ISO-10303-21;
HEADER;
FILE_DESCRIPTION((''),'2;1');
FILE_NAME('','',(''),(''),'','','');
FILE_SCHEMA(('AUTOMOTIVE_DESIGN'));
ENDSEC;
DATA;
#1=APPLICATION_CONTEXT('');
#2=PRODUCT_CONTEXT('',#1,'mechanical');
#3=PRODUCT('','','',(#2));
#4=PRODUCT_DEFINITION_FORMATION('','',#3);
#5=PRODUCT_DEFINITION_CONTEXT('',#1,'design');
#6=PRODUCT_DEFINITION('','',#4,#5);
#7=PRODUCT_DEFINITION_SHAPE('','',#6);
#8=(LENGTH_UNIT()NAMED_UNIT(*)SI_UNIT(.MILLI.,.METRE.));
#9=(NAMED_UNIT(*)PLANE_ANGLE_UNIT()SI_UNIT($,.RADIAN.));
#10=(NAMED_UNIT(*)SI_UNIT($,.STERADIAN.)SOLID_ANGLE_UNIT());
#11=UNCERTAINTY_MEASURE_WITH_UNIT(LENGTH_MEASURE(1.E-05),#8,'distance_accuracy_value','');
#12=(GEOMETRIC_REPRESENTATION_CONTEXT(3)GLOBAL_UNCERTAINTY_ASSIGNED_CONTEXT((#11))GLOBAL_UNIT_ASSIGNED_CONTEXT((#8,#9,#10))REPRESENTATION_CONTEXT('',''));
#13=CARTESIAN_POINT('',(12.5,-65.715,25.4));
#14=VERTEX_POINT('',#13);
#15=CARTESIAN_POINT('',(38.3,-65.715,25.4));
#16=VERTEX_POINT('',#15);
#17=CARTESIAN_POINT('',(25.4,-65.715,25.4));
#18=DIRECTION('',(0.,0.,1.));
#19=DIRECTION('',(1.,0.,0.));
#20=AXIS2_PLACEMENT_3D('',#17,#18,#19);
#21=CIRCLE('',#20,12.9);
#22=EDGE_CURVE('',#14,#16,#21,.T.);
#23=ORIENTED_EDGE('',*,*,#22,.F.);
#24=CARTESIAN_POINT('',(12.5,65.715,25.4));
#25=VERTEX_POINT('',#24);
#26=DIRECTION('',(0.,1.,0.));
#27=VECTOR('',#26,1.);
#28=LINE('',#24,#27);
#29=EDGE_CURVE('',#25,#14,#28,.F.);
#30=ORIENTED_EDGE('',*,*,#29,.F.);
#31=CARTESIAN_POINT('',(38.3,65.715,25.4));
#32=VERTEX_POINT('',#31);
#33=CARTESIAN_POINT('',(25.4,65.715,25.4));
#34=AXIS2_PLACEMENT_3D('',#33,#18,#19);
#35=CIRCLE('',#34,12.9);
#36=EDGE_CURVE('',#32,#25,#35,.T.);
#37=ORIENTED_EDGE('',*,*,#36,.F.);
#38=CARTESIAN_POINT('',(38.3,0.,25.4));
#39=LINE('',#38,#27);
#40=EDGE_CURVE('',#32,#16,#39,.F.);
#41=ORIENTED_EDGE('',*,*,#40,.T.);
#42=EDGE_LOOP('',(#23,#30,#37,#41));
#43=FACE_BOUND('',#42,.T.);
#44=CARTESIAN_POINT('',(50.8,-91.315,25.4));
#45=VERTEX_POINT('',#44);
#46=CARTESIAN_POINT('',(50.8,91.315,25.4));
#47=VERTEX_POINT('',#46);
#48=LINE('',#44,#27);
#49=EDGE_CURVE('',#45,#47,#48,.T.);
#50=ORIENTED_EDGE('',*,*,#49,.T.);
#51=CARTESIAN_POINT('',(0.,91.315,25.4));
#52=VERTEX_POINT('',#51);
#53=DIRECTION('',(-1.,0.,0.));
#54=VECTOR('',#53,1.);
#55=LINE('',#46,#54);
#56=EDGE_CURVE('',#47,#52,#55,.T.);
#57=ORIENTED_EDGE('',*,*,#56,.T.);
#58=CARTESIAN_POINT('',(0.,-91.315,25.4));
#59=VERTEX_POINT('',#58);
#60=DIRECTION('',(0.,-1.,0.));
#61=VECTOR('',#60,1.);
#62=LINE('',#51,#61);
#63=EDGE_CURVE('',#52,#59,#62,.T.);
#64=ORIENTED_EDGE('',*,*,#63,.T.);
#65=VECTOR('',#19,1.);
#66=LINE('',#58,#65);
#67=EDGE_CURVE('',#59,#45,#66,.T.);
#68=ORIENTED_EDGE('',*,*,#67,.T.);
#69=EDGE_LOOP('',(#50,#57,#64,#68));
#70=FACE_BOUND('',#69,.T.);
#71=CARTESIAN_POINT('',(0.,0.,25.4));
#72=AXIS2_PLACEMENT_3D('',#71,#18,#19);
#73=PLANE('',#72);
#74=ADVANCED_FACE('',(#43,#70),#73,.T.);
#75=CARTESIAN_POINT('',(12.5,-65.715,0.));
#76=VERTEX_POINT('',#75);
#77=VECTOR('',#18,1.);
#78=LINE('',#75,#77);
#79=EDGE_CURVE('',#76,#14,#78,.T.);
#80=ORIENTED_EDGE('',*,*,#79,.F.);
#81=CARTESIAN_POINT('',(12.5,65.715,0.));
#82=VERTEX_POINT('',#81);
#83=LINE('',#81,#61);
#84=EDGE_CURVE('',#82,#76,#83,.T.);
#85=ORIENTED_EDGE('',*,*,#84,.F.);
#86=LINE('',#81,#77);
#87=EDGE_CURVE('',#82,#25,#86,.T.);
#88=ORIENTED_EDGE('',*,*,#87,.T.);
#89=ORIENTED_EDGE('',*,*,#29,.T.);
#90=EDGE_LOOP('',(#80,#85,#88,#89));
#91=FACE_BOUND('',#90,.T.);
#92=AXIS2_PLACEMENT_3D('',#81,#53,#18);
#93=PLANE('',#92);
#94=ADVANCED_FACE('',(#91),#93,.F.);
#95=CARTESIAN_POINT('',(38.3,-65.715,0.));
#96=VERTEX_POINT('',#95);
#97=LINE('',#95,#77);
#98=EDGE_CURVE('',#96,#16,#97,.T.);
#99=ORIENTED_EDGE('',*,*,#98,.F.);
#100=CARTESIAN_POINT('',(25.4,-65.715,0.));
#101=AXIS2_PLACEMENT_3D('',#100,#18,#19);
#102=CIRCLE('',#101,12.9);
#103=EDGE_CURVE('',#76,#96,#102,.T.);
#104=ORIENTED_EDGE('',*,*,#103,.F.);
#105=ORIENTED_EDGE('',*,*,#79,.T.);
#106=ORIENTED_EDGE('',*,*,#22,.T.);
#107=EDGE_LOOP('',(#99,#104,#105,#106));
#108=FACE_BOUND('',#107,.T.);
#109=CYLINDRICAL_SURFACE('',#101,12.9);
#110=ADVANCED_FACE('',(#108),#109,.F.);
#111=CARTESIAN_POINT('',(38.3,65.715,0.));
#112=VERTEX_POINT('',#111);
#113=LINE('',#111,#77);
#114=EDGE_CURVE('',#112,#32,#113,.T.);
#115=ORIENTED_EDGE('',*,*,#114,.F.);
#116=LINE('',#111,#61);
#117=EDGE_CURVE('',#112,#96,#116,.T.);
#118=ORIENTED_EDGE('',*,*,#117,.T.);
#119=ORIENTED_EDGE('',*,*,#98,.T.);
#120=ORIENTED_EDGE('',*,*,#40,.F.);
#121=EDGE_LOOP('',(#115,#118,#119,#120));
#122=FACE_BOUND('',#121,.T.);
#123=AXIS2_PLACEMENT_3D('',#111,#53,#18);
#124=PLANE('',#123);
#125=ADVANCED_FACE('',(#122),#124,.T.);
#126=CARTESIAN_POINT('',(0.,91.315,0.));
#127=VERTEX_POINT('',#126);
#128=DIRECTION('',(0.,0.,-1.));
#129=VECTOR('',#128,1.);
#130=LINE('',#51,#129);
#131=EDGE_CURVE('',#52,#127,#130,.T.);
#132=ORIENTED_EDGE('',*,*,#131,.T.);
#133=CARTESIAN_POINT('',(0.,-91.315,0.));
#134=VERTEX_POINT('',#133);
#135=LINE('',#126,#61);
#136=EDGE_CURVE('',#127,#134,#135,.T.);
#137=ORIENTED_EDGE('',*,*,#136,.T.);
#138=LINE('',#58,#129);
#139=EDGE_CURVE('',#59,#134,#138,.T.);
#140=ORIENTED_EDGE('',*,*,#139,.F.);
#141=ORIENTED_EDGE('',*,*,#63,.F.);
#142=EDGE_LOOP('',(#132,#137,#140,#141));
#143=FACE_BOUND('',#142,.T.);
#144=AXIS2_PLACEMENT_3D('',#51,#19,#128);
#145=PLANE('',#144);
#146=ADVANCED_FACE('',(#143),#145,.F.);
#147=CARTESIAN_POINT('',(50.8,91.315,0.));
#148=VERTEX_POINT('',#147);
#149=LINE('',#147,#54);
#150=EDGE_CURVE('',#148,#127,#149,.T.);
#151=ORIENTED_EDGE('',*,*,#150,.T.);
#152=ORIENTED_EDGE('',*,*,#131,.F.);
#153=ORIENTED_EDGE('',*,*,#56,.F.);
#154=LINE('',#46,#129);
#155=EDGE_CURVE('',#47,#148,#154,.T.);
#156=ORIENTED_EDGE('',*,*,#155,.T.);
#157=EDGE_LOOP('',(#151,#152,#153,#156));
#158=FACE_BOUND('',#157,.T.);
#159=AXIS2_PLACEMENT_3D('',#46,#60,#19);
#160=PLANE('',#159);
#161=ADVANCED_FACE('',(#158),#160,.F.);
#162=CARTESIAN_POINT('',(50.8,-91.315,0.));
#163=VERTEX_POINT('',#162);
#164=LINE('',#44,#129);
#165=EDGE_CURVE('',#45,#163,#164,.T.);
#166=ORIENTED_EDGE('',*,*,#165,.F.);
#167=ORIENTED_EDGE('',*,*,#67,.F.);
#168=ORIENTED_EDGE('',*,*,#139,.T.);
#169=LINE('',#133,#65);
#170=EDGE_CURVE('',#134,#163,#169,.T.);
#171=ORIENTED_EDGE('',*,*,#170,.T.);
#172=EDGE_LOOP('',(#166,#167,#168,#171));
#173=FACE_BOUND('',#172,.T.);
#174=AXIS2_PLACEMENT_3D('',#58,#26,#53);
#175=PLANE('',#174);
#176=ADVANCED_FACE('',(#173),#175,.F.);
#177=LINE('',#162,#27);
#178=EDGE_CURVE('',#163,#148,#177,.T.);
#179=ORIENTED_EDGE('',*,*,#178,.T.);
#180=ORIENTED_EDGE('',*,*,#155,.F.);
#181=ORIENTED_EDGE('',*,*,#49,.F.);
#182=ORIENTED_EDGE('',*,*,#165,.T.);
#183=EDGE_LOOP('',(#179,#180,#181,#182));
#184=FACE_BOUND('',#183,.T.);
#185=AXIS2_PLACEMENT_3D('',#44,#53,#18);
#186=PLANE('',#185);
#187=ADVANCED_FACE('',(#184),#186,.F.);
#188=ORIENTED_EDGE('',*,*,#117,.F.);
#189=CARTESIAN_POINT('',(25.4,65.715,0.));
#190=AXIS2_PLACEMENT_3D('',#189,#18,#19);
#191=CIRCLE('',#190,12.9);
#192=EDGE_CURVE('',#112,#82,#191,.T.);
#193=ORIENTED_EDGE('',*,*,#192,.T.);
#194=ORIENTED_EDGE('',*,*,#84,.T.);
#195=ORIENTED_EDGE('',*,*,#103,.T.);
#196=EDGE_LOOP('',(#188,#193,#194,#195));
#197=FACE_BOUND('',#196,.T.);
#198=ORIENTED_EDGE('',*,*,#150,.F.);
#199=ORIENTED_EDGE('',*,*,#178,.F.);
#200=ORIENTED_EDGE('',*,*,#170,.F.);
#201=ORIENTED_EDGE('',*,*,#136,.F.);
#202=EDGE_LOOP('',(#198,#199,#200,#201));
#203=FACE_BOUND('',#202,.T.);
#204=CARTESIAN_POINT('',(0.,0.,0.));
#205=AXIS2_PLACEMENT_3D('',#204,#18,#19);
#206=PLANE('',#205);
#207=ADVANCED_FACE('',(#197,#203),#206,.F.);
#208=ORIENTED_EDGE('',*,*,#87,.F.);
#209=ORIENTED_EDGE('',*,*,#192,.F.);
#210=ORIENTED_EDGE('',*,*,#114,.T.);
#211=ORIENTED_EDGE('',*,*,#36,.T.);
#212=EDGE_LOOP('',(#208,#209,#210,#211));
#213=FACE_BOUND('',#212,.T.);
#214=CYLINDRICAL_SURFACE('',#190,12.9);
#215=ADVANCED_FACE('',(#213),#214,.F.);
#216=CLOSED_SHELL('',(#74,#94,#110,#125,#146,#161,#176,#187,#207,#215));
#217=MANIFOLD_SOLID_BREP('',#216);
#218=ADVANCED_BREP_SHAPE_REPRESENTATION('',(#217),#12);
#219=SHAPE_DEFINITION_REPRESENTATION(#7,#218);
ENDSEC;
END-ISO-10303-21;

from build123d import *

# Parameters (mm, degrees)
SKETCH1_W               = 50.8
SKETCH1_H               = 182.629999942
BOSS_EXTRUDE1_DEPTH     = 25.4
CUT_EXTRUDE1_DEPTH      = 108.537106246
CUT_EXTRUDE1_DEPTH_BACK = 108.537106246


with BuildPart() as part:
    # Sketch1 → Boss-Extrude1 (new body)
    with BuildSketch(Plane.XY):
        with Locations((25.4, 0)):
            Rectangle(SKETCH1_W, SKETCH1_H)
    extrude(amount=BOSS_EXTRUDE1_DEPTH)

    # Sketch2 → Cut-Extrude1 (cut, two sides: drawn at the far end of the back side and taken through both)
    with BuildSketch(Plane.XY.offset(25.4).offset(-CUT_EXTRUDE1_DEPTH_BACK)):
        with BuildLine():
            Line((38.3, 65.714999971), (38.3, -65.714999971))
            ThreePointArc((38.3, -65.714999971), (25.4, -78.614999971), (12.5, -65.714999971))
            Line((12.5, -65.714999971), (12.5, 65.714999971))
            ThreePointArc((12.5, 65.714999971), (25.4, 78.614999971), (38.3, 65.714999971))
        make_face()
    extrude(amount=CUT_EXTRUDE1_DEPTH + CUT_EXTRUDE1_DEPTH_BACK, mode=Mode.SUBTRACT)


solid = part.part
